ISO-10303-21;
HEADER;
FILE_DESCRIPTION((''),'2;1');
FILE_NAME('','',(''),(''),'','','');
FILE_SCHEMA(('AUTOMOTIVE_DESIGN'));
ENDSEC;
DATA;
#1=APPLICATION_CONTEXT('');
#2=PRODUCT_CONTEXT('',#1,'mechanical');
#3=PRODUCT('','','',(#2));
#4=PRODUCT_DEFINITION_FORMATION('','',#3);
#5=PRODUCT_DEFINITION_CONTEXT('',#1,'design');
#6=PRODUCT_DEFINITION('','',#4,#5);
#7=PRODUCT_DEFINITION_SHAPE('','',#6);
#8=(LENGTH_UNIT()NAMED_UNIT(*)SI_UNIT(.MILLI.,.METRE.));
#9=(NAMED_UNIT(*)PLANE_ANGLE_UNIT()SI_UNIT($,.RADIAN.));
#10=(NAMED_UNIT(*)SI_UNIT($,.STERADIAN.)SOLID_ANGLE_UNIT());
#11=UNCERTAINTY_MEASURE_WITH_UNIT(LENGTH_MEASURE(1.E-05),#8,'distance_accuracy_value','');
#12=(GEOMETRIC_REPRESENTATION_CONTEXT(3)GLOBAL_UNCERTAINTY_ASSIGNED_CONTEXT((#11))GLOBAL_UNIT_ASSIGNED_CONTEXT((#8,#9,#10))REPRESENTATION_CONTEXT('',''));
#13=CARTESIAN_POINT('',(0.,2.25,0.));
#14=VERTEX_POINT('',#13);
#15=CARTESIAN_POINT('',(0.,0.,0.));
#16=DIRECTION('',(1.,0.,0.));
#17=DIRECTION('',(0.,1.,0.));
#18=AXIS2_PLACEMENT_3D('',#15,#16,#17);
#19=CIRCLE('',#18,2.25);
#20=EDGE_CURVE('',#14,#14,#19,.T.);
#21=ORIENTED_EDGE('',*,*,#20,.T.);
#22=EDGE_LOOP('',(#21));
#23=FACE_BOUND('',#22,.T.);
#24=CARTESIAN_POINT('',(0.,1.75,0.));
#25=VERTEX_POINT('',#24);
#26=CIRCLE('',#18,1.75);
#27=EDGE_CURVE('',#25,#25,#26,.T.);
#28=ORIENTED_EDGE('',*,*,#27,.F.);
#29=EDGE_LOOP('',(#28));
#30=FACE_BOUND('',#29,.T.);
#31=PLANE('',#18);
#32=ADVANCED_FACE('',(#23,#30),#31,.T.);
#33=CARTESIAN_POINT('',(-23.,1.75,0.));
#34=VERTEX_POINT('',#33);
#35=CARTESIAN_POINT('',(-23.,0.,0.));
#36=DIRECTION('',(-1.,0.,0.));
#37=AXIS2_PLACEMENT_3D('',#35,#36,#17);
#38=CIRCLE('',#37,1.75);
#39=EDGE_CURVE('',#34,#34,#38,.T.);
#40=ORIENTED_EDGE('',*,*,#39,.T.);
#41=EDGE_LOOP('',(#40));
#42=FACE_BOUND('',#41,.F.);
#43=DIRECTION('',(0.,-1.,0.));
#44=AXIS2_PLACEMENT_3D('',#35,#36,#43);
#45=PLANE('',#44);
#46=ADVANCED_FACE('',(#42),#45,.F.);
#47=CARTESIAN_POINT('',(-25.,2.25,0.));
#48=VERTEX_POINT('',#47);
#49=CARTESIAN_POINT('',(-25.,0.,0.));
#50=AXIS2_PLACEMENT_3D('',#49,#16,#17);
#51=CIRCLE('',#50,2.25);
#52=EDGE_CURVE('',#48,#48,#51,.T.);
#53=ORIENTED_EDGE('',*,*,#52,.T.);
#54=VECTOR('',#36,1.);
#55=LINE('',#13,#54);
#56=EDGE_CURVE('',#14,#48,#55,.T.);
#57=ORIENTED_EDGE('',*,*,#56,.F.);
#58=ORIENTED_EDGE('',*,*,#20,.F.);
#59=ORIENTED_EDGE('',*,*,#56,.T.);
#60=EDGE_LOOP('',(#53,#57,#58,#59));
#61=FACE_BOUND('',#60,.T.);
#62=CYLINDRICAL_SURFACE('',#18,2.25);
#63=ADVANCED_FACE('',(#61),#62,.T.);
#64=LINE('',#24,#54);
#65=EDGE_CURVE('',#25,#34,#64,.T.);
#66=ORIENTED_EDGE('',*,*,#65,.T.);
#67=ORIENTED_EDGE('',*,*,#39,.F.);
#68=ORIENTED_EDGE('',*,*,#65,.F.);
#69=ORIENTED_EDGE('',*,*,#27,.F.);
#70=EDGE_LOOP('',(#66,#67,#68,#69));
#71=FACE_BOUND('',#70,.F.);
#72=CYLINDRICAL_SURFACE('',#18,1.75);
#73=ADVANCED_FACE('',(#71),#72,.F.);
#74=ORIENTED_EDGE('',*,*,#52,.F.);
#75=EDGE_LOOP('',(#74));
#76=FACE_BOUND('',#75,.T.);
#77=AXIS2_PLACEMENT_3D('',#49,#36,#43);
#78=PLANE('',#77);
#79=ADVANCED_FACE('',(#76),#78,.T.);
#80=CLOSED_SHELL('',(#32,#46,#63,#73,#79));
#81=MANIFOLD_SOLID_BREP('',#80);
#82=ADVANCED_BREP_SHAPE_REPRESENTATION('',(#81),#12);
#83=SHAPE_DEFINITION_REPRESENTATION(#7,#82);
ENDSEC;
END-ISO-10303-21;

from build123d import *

# Parameters (mm, degrees)
F0_R     = 2.25
F0_R_2   = 1.75
F1_DEPTH = 25
F2_R     = 1.75
F3_DEPTH = 2


with BuildPart() as f1:
    # F0 (on Right) → F1 (new body)
    with BuildSketch(Plane.YZ):
        Circle(F0_R)
        Circle(F0_R_2, mode=Mode.SUBTRACT)
    extrude(amount=-F1_DEPTH)

    # F2 (on face) → F3 (join)
    with BuildSketch(Plane(origin=(-25, 0, 0), x_dir=(0, -1, 0), z_dir=(-1, 0, 0))):
        Circle(F2_R)
    extrude(amount=-F3_DEPTH)


solid = f1.part
